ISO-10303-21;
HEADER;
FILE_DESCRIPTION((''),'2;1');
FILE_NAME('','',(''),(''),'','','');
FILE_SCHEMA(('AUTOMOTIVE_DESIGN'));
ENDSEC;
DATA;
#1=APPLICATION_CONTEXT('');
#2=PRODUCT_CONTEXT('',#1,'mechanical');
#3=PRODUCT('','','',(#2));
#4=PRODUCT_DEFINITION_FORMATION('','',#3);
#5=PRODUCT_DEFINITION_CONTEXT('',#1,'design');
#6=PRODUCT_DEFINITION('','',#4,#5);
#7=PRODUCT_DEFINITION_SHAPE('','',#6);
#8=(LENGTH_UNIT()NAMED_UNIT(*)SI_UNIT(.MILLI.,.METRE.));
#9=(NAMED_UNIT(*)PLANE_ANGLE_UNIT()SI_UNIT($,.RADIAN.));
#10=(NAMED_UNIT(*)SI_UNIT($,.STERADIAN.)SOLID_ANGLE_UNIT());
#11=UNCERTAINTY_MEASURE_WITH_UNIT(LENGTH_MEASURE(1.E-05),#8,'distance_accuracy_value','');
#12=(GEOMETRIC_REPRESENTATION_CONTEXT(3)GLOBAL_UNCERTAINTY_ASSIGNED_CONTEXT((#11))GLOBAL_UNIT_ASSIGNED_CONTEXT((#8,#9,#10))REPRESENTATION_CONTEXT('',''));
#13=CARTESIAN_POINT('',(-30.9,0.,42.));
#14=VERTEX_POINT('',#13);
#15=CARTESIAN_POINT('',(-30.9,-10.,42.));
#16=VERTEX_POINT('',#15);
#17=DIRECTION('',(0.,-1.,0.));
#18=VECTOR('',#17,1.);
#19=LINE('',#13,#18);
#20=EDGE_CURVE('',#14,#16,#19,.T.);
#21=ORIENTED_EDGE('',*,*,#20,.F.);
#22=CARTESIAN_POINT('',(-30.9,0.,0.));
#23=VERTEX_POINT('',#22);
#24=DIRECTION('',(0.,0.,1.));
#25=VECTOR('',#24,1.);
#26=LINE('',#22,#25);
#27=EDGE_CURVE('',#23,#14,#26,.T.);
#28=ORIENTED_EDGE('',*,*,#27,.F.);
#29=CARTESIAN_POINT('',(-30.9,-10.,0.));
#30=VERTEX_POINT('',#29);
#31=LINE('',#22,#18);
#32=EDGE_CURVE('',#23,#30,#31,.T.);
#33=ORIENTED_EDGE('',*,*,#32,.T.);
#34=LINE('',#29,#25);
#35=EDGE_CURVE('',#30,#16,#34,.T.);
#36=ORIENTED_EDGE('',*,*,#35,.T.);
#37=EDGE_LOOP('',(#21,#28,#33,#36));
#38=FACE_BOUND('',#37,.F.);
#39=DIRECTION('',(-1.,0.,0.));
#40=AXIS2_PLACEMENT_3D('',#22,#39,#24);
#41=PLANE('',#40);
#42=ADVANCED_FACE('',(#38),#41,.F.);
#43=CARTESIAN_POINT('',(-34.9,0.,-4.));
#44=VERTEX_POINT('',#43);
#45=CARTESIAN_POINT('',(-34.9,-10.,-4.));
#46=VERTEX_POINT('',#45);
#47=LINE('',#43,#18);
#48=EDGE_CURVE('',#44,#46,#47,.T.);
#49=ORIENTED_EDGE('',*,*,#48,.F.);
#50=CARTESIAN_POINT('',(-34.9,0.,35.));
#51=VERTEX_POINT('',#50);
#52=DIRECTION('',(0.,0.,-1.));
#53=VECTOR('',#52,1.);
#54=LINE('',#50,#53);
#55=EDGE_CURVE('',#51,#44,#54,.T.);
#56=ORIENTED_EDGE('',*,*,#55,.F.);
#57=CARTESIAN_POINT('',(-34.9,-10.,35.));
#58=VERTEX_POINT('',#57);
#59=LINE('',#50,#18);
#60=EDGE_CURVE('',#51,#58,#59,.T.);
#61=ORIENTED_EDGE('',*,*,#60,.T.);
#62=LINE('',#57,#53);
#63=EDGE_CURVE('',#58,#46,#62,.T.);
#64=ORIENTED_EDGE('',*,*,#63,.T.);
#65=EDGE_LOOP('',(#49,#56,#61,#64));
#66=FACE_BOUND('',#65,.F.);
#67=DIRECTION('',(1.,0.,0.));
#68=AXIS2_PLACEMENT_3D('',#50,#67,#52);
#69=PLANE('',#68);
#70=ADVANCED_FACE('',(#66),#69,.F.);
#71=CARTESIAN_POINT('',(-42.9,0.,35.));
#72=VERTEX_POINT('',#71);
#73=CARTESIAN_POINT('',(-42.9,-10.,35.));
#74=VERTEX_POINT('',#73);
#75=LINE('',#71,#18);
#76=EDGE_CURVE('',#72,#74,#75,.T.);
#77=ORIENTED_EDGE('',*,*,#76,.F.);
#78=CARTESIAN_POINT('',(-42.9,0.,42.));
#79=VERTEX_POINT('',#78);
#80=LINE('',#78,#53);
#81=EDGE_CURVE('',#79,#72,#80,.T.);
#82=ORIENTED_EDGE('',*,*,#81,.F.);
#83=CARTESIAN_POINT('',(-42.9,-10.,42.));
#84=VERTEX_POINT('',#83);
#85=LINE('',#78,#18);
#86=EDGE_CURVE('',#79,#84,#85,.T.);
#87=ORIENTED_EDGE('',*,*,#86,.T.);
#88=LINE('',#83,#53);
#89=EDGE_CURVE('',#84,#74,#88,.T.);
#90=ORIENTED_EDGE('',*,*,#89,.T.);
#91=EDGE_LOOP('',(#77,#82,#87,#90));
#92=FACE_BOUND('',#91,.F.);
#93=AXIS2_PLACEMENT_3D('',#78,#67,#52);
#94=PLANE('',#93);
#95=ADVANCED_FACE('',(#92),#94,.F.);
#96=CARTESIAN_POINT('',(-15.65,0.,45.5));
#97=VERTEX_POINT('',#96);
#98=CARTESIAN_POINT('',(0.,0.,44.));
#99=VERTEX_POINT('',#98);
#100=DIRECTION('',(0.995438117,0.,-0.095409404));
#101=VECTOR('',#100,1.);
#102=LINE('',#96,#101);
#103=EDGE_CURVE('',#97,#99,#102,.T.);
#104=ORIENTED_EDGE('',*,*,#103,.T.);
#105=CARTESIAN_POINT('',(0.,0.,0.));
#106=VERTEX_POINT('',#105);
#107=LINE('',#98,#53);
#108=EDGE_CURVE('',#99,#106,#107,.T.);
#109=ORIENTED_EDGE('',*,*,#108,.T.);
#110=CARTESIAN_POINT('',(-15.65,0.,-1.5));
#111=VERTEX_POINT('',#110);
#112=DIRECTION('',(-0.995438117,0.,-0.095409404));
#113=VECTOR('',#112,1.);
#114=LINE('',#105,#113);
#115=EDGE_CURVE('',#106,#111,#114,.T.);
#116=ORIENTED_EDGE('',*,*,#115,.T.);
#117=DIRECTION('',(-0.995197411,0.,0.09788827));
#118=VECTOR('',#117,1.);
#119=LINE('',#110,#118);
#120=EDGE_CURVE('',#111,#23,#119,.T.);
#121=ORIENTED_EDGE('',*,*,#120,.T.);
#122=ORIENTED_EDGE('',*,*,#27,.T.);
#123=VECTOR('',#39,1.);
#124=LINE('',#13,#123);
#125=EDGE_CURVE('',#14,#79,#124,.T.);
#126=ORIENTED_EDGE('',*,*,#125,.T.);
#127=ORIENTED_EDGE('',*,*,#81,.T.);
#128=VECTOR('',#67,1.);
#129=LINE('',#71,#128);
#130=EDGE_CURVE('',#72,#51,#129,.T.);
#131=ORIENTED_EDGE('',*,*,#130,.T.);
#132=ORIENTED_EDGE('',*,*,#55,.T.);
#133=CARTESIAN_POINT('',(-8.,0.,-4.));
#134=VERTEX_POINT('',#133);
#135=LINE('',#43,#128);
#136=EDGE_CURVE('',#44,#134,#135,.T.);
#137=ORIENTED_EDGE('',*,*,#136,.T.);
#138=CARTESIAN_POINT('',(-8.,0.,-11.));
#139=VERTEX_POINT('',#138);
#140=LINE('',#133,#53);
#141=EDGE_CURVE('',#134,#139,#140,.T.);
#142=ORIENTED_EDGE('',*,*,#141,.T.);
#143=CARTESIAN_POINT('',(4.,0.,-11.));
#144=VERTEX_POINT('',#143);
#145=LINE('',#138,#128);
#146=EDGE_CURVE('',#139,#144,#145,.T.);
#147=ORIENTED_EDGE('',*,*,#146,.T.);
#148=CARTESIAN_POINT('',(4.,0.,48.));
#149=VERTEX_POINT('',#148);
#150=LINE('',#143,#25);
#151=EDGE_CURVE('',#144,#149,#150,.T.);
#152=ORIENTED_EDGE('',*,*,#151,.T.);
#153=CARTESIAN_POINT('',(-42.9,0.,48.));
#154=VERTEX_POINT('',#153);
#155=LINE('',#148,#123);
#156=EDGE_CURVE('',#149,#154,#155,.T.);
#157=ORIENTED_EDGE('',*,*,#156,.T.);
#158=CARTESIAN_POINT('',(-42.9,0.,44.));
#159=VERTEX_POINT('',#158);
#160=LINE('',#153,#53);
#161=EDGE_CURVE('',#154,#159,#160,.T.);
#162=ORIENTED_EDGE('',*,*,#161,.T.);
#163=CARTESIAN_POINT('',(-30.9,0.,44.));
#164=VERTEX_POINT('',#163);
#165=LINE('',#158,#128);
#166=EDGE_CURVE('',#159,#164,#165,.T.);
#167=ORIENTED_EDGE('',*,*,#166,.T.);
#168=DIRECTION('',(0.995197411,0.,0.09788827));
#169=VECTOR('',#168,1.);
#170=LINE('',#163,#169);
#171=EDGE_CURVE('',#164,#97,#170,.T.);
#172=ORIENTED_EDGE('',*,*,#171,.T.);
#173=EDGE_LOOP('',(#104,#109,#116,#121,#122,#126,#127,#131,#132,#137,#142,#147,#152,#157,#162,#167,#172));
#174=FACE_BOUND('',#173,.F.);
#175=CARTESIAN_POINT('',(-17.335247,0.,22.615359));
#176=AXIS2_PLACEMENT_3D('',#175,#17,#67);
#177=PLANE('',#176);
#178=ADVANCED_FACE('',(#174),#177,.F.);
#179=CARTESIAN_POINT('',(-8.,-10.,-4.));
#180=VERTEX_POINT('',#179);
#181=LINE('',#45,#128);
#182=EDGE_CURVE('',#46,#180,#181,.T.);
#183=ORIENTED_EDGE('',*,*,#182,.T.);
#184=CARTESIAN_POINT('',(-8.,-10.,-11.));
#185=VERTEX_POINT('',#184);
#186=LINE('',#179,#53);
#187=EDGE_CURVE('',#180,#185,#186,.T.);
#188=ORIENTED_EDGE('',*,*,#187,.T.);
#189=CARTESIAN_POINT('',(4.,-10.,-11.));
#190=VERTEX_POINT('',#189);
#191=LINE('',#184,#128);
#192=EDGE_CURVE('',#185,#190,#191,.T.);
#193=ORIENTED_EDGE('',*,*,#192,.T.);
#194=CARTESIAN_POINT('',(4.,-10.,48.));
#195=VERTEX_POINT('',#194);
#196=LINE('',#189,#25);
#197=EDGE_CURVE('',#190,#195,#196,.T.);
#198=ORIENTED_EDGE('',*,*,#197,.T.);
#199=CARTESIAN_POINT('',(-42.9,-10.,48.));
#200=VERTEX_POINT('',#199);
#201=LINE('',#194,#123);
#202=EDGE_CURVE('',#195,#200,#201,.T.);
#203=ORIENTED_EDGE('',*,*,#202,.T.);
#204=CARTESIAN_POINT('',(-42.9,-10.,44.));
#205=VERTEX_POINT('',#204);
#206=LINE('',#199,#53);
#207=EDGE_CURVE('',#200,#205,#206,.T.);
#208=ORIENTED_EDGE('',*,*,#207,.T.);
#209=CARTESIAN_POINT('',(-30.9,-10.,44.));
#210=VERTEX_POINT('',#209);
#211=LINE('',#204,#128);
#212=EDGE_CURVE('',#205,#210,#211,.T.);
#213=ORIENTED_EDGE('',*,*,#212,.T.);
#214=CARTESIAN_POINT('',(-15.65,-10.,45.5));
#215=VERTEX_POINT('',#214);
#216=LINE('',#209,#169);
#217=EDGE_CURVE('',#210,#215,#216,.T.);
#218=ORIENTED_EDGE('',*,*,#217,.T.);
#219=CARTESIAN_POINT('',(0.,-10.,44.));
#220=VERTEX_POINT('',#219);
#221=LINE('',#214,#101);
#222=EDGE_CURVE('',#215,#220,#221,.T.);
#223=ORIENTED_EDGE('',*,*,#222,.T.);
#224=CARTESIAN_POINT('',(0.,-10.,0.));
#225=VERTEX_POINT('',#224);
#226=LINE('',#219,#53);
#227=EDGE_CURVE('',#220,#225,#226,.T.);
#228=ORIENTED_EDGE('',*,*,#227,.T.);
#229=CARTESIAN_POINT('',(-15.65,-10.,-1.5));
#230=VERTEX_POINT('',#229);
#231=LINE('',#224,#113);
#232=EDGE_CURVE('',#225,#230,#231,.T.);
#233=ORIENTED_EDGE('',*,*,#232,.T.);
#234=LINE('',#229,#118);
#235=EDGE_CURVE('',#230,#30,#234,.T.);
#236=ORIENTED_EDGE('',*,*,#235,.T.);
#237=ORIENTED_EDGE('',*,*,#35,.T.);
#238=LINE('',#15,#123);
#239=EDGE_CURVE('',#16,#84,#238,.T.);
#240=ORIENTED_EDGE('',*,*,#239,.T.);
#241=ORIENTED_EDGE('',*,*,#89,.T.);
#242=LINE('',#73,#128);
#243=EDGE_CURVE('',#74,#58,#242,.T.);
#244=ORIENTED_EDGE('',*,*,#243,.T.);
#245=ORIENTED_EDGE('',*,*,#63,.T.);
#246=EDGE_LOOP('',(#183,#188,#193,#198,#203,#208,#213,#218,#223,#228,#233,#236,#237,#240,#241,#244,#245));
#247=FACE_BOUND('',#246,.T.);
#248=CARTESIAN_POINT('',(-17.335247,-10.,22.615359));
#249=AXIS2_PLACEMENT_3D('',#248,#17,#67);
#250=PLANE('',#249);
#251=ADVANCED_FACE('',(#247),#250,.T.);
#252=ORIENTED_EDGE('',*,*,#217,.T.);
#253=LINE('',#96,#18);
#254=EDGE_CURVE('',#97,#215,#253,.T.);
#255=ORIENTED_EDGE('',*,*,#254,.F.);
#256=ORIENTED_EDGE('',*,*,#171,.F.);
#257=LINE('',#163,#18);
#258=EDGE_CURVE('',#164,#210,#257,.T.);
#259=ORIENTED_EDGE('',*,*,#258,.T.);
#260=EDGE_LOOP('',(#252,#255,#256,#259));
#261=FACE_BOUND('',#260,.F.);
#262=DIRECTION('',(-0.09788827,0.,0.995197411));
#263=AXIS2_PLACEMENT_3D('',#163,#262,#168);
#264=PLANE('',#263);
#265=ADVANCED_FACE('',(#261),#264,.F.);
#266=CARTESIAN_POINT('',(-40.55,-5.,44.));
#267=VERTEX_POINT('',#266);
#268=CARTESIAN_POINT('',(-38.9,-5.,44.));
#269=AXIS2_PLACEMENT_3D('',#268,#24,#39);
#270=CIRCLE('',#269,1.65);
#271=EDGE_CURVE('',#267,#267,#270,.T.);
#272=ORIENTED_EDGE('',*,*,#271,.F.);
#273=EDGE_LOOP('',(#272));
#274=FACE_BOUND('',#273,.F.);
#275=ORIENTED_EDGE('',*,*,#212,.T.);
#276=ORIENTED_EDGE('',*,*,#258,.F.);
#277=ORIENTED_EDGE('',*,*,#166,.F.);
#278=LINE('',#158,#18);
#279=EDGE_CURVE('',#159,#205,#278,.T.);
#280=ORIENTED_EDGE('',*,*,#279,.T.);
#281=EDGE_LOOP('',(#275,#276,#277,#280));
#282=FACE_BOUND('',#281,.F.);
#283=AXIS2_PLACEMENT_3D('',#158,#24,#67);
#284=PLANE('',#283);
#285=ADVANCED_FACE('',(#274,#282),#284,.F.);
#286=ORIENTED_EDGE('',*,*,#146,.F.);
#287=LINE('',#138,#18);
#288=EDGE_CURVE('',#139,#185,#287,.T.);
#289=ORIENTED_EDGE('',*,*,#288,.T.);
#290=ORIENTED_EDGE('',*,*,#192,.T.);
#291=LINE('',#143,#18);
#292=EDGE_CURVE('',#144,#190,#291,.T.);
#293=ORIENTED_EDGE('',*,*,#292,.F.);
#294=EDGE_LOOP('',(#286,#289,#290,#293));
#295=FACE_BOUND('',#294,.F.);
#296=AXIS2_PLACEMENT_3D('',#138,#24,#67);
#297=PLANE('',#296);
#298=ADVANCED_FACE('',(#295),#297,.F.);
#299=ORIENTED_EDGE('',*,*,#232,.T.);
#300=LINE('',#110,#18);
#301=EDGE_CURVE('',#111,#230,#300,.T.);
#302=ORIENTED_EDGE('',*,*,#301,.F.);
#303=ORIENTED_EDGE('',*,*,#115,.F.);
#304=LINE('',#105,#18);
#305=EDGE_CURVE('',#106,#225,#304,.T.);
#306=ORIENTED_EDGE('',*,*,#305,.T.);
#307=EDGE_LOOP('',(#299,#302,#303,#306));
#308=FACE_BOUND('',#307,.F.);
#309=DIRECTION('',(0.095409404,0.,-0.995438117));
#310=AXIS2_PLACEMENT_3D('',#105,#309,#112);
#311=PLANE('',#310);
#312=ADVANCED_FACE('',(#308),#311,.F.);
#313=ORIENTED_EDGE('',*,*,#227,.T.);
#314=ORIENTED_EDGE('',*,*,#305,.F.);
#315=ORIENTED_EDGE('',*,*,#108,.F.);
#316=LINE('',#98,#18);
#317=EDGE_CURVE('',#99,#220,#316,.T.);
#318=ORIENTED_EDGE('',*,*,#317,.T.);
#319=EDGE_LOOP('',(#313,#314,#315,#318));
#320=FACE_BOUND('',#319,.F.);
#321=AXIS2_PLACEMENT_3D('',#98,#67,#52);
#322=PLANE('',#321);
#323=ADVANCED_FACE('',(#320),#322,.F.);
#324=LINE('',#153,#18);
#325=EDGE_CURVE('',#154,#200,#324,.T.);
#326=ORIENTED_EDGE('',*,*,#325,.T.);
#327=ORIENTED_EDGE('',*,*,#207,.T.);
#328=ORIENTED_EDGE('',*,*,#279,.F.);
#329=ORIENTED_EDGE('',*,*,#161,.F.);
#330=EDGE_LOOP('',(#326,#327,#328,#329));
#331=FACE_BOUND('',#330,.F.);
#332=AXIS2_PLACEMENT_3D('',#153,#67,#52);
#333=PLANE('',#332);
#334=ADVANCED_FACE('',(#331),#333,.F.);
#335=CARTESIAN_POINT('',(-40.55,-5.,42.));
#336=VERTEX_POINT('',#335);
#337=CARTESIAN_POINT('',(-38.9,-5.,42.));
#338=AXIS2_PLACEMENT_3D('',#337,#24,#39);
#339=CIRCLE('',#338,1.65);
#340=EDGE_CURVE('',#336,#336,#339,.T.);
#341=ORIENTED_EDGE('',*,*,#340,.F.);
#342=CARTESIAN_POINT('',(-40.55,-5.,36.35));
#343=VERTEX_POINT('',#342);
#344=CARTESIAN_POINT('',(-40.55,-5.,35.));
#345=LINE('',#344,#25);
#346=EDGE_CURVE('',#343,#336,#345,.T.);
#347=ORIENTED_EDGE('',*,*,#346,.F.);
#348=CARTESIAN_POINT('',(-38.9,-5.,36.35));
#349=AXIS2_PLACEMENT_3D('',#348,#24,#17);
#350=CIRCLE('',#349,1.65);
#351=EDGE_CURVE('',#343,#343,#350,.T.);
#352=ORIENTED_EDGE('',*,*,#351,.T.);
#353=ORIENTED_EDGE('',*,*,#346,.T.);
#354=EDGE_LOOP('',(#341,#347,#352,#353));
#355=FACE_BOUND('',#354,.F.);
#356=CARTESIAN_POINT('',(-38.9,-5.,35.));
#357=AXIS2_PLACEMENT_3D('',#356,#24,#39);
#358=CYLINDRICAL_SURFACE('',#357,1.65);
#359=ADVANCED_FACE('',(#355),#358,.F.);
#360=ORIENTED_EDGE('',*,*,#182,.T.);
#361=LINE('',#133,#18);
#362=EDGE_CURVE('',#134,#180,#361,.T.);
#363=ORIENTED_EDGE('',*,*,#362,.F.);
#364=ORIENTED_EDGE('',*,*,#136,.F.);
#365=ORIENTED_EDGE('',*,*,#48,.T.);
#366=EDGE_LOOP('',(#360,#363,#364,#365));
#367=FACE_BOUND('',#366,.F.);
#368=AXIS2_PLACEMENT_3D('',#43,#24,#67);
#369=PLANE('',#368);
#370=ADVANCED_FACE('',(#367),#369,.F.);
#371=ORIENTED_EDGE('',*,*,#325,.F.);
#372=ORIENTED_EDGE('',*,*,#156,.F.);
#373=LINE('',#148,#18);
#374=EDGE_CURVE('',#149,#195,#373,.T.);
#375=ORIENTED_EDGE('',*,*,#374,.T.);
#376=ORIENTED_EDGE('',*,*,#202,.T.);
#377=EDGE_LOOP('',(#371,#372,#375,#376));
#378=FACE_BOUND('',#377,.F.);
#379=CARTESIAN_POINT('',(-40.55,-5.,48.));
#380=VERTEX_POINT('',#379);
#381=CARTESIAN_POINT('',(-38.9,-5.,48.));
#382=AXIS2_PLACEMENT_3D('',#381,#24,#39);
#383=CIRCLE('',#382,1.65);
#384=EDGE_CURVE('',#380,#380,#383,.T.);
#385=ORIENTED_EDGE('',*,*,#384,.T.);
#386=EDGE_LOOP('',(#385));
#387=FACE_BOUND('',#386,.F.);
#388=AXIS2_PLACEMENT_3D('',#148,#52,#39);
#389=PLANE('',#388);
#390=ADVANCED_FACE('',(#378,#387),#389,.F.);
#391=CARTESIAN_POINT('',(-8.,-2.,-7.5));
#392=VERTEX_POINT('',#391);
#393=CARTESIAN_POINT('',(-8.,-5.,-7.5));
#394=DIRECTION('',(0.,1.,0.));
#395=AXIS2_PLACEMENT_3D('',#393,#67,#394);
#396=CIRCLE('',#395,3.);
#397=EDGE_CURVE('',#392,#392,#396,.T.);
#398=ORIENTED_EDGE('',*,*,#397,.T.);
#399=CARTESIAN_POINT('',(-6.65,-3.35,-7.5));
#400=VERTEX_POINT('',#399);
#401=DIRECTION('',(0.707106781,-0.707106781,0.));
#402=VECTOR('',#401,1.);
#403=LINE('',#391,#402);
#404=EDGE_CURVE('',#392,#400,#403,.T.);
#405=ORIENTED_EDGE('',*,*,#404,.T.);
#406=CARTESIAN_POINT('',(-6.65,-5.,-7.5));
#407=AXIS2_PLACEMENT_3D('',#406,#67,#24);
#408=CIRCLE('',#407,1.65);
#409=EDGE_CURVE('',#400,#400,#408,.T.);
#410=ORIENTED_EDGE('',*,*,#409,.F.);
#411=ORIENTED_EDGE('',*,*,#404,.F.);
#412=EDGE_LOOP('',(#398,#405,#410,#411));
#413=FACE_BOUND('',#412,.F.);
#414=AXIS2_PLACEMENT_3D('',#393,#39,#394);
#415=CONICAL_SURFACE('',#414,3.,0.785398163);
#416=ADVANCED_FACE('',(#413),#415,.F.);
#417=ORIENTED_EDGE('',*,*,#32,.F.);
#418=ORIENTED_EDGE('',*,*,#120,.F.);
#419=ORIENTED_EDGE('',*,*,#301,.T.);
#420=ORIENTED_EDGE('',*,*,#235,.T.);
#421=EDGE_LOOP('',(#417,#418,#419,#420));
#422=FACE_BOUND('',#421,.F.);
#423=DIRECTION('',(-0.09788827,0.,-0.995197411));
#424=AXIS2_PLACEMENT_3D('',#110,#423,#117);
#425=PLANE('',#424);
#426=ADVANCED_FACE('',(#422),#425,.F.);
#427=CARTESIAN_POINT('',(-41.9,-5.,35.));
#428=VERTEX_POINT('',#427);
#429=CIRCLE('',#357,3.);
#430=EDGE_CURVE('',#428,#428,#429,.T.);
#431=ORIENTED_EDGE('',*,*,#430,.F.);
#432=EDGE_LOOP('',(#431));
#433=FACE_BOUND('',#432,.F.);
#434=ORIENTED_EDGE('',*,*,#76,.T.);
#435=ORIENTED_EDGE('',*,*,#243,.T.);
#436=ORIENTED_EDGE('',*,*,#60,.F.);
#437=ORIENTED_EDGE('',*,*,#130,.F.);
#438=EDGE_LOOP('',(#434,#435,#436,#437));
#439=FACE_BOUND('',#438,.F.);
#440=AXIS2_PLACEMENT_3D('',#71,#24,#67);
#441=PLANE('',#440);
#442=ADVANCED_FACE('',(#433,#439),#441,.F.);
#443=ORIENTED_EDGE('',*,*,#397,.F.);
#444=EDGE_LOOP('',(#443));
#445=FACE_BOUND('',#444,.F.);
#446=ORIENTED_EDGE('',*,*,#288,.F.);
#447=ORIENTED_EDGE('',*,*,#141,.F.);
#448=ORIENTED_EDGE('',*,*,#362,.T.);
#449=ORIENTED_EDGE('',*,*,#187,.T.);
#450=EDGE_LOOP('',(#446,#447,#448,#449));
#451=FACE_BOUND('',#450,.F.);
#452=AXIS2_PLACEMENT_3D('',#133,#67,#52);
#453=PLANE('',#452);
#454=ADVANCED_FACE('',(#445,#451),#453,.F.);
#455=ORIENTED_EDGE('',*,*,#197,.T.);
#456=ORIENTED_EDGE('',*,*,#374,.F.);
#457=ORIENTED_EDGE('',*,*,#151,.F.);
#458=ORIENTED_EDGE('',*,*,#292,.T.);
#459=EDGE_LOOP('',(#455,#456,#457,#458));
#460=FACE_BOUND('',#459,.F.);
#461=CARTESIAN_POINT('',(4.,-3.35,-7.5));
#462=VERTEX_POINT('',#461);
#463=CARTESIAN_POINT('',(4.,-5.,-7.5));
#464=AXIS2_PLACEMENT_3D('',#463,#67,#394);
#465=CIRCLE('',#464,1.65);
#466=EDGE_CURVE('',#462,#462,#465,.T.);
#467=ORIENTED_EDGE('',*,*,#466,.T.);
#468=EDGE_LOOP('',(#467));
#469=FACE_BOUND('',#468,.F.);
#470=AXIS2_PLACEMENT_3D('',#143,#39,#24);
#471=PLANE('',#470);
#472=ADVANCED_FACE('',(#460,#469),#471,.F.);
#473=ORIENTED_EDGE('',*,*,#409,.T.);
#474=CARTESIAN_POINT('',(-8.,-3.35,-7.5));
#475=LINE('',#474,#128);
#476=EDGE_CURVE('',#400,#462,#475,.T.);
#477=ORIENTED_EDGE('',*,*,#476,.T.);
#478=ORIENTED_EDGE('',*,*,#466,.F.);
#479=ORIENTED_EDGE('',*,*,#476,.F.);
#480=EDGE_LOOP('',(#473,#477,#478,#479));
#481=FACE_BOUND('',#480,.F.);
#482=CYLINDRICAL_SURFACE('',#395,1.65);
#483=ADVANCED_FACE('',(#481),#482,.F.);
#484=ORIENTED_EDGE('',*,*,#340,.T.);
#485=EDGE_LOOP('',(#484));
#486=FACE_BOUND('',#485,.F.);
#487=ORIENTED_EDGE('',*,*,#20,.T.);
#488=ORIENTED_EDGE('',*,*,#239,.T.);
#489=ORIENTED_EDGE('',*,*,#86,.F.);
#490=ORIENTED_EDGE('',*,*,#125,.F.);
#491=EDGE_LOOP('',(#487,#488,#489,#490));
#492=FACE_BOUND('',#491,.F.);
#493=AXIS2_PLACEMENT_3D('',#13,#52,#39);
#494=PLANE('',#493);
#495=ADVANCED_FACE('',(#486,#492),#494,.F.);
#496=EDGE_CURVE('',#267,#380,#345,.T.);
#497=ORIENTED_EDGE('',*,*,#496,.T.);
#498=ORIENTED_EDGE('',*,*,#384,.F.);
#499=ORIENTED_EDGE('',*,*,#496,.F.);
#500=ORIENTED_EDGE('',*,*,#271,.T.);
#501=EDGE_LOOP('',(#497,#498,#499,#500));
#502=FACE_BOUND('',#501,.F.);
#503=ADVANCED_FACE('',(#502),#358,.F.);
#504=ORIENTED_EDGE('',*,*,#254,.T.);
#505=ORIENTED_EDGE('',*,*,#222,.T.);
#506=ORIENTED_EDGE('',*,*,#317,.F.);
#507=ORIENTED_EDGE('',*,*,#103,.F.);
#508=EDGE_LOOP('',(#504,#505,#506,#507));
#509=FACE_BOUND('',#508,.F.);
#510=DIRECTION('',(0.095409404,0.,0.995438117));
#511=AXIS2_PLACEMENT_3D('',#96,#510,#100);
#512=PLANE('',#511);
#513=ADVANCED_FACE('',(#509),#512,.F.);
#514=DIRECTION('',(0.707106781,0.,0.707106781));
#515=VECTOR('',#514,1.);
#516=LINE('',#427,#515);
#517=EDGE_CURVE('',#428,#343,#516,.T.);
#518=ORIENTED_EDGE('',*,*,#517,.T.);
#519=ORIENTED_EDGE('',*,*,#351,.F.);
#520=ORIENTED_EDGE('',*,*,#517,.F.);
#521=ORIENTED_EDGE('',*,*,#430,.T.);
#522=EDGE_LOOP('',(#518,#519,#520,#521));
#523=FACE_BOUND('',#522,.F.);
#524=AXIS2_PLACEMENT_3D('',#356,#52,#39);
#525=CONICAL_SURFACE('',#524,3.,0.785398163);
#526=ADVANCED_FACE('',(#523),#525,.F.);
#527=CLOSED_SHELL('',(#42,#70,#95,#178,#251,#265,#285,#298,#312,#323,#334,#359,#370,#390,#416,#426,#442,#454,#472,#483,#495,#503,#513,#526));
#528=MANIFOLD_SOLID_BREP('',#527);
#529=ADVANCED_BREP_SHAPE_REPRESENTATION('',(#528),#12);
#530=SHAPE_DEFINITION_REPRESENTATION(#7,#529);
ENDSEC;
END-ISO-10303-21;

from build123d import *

# Parameters (mm, degrees)
F1_DEPTH       = 10
F3_D           = 3.3
F3_CSINK_D     = 6
F3_CSINK_ANGLE = 90
F5_D           = 3.3
F5_CSINK_D     = 6
F5_CSINK_ANGLE = 90


with BuildPart() as f1:
    # F0 (on Front) → F1 (new body)
    with BuildSketch(Plane.XZ):
        Polygon((0, 44), (0, 0), (-15.65, -1.5), (-30.9, 0), (-30.9, 42), (-42.9, 42), (-42.9, 35), (-34.9, 35), (-34.9, -4), (-8, -4), (-8, -11), (4, -11), (4, 48), (-42.9, 48), (-42.9, 44), (-30.9, 44), (-15.65, 45.5), align=None)
    extrude(amount=F1_DEPTH)

    # F3 (through all)
    with Locations(Plane(origin=(0, 0, 35), x_dir=(1, 0, 0), z_dir=(0, 0, -1))):
        with Locations((-38.9, 5)):
            CounterSinkHole(F3_D / 2, F3_CSINK_D / 2, counter_sink_angle=F3_CSINK_ANGLE)

    # F5 (through all)
    with Locations(Plane(origin=(-8, 0, 0), x_dir=(0, -1, 0), z_dir=(-1, 0, 0))):
        with Locations((5, -7.5)):
            CounterSinkHole(F5_D / 2, F5_CSINK_D / 2, counter_sink_angle=F5_CSINK_ANGLE)


solid = f1.part
